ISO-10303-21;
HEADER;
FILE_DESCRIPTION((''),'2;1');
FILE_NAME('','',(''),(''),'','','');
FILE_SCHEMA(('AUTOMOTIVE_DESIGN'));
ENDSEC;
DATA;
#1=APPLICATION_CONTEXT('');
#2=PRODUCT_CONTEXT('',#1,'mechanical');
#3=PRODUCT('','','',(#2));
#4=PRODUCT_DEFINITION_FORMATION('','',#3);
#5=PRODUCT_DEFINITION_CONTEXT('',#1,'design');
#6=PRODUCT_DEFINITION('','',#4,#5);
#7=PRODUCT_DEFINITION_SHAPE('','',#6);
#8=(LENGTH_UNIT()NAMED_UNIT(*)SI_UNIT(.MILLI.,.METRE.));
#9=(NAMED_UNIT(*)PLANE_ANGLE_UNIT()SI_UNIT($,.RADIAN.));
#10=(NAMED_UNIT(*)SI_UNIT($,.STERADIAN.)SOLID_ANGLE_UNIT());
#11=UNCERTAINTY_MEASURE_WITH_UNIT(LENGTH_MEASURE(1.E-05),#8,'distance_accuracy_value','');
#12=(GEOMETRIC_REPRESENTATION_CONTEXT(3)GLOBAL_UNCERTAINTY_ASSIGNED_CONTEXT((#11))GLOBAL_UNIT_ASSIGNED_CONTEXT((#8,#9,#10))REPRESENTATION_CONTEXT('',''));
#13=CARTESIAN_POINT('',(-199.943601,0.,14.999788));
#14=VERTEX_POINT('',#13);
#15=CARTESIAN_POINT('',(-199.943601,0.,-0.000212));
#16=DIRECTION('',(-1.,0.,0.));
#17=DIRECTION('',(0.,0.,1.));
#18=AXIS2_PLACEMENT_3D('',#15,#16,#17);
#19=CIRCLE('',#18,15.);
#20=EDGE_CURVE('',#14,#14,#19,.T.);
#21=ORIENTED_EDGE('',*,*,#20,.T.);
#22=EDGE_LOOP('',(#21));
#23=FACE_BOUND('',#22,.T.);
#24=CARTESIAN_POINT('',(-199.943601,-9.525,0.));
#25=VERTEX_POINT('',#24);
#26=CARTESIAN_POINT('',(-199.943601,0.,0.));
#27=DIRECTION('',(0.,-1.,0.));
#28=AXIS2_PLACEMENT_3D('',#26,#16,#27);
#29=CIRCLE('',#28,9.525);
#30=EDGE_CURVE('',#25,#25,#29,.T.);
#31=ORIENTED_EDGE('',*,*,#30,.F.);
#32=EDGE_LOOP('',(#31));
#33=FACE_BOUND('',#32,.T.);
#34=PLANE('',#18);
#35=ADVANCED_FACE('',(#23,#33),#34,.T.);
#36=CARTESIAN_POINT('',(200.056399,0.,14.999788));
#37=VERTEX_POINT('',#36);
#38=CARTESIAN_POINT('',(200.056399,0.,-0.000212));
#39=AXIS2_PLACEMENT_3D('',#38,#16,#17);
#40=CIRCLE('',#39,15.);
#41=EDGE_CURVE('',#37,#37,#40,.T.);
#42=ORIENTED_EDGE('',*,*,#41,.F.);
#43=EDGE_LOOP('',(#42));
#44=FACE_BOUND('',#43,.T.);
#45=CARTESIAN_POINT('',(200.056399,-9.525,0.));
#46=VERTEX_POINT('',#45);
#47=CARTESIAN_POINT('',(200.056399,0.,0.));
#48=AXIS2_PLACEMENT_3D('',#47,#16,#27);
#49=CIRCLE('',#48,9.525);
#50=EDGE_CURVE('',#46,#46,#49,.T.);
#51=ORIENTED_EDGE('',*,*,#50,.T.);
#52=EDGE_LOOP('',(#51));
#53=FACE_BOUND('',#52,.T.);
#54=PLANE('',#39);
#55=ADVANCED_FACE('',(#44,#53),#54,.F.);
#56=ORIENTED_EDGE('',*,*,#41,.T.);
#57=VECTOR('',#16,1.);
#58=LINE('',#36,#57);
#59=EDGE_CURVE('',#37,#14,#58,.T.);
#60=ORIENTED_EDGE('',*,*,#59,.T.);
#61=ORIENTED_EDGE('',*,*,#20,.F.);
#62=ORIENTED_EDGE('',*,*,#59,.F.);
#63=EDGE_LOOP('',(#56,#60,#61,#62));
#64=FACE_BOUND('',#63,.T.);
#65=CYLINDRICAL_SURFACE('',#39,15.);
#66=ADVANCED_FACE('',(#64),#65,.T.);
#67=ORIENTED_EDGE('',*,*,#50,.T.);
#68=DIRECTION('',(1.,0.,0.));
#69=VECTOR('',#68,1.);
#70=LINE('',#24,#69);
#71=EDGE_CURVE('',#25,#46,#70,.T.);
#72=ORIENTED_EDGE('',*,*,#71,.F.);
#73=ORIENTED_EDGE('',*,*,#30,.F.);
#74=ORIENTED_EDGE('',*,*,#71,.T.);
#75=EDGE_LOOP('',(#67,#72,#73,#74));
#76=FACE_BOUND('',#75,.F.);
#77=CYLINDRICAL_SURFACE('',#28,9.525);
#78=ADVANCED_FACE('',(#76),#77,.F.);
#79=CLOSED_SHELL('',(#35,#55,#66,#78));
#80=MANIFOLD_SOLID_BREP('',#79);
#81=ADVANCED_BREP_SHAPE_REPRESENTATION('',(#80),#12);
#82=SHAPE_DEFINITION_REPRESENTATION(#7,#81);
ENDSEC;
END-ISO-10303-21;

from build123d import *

# Parameters (mm, degrees)
F2_R     = 9.525
F3_DEPTH = 400.001


with BuildPart() as f1:
    # F0 (on Front) → F1 (revolve)
    with BuildSketch(Plane.XZ):
        Polygon((-199.943601, -0.000212), (0.056399, -0.000212), (200.056399, -0.000212), (200.056399, 14.999788), (-199.943601, 14.999788), align=None)
    revolve(axis=Axis((0.056399, 0, -0.000212), (-1, 0, 0)))

    # F2 (on face) → F3 (cut, through all)
    with BuildSketch(Plane(origin=(-199.943601, 0, 0), x_dir=(0, -1, 0), z_dir=(-1, 0, 0))):
        Circle(F2_R)
    extrude(amount=-F3_DEPTH, mode=Mode.SUBTRACT)


solid = f1.part
